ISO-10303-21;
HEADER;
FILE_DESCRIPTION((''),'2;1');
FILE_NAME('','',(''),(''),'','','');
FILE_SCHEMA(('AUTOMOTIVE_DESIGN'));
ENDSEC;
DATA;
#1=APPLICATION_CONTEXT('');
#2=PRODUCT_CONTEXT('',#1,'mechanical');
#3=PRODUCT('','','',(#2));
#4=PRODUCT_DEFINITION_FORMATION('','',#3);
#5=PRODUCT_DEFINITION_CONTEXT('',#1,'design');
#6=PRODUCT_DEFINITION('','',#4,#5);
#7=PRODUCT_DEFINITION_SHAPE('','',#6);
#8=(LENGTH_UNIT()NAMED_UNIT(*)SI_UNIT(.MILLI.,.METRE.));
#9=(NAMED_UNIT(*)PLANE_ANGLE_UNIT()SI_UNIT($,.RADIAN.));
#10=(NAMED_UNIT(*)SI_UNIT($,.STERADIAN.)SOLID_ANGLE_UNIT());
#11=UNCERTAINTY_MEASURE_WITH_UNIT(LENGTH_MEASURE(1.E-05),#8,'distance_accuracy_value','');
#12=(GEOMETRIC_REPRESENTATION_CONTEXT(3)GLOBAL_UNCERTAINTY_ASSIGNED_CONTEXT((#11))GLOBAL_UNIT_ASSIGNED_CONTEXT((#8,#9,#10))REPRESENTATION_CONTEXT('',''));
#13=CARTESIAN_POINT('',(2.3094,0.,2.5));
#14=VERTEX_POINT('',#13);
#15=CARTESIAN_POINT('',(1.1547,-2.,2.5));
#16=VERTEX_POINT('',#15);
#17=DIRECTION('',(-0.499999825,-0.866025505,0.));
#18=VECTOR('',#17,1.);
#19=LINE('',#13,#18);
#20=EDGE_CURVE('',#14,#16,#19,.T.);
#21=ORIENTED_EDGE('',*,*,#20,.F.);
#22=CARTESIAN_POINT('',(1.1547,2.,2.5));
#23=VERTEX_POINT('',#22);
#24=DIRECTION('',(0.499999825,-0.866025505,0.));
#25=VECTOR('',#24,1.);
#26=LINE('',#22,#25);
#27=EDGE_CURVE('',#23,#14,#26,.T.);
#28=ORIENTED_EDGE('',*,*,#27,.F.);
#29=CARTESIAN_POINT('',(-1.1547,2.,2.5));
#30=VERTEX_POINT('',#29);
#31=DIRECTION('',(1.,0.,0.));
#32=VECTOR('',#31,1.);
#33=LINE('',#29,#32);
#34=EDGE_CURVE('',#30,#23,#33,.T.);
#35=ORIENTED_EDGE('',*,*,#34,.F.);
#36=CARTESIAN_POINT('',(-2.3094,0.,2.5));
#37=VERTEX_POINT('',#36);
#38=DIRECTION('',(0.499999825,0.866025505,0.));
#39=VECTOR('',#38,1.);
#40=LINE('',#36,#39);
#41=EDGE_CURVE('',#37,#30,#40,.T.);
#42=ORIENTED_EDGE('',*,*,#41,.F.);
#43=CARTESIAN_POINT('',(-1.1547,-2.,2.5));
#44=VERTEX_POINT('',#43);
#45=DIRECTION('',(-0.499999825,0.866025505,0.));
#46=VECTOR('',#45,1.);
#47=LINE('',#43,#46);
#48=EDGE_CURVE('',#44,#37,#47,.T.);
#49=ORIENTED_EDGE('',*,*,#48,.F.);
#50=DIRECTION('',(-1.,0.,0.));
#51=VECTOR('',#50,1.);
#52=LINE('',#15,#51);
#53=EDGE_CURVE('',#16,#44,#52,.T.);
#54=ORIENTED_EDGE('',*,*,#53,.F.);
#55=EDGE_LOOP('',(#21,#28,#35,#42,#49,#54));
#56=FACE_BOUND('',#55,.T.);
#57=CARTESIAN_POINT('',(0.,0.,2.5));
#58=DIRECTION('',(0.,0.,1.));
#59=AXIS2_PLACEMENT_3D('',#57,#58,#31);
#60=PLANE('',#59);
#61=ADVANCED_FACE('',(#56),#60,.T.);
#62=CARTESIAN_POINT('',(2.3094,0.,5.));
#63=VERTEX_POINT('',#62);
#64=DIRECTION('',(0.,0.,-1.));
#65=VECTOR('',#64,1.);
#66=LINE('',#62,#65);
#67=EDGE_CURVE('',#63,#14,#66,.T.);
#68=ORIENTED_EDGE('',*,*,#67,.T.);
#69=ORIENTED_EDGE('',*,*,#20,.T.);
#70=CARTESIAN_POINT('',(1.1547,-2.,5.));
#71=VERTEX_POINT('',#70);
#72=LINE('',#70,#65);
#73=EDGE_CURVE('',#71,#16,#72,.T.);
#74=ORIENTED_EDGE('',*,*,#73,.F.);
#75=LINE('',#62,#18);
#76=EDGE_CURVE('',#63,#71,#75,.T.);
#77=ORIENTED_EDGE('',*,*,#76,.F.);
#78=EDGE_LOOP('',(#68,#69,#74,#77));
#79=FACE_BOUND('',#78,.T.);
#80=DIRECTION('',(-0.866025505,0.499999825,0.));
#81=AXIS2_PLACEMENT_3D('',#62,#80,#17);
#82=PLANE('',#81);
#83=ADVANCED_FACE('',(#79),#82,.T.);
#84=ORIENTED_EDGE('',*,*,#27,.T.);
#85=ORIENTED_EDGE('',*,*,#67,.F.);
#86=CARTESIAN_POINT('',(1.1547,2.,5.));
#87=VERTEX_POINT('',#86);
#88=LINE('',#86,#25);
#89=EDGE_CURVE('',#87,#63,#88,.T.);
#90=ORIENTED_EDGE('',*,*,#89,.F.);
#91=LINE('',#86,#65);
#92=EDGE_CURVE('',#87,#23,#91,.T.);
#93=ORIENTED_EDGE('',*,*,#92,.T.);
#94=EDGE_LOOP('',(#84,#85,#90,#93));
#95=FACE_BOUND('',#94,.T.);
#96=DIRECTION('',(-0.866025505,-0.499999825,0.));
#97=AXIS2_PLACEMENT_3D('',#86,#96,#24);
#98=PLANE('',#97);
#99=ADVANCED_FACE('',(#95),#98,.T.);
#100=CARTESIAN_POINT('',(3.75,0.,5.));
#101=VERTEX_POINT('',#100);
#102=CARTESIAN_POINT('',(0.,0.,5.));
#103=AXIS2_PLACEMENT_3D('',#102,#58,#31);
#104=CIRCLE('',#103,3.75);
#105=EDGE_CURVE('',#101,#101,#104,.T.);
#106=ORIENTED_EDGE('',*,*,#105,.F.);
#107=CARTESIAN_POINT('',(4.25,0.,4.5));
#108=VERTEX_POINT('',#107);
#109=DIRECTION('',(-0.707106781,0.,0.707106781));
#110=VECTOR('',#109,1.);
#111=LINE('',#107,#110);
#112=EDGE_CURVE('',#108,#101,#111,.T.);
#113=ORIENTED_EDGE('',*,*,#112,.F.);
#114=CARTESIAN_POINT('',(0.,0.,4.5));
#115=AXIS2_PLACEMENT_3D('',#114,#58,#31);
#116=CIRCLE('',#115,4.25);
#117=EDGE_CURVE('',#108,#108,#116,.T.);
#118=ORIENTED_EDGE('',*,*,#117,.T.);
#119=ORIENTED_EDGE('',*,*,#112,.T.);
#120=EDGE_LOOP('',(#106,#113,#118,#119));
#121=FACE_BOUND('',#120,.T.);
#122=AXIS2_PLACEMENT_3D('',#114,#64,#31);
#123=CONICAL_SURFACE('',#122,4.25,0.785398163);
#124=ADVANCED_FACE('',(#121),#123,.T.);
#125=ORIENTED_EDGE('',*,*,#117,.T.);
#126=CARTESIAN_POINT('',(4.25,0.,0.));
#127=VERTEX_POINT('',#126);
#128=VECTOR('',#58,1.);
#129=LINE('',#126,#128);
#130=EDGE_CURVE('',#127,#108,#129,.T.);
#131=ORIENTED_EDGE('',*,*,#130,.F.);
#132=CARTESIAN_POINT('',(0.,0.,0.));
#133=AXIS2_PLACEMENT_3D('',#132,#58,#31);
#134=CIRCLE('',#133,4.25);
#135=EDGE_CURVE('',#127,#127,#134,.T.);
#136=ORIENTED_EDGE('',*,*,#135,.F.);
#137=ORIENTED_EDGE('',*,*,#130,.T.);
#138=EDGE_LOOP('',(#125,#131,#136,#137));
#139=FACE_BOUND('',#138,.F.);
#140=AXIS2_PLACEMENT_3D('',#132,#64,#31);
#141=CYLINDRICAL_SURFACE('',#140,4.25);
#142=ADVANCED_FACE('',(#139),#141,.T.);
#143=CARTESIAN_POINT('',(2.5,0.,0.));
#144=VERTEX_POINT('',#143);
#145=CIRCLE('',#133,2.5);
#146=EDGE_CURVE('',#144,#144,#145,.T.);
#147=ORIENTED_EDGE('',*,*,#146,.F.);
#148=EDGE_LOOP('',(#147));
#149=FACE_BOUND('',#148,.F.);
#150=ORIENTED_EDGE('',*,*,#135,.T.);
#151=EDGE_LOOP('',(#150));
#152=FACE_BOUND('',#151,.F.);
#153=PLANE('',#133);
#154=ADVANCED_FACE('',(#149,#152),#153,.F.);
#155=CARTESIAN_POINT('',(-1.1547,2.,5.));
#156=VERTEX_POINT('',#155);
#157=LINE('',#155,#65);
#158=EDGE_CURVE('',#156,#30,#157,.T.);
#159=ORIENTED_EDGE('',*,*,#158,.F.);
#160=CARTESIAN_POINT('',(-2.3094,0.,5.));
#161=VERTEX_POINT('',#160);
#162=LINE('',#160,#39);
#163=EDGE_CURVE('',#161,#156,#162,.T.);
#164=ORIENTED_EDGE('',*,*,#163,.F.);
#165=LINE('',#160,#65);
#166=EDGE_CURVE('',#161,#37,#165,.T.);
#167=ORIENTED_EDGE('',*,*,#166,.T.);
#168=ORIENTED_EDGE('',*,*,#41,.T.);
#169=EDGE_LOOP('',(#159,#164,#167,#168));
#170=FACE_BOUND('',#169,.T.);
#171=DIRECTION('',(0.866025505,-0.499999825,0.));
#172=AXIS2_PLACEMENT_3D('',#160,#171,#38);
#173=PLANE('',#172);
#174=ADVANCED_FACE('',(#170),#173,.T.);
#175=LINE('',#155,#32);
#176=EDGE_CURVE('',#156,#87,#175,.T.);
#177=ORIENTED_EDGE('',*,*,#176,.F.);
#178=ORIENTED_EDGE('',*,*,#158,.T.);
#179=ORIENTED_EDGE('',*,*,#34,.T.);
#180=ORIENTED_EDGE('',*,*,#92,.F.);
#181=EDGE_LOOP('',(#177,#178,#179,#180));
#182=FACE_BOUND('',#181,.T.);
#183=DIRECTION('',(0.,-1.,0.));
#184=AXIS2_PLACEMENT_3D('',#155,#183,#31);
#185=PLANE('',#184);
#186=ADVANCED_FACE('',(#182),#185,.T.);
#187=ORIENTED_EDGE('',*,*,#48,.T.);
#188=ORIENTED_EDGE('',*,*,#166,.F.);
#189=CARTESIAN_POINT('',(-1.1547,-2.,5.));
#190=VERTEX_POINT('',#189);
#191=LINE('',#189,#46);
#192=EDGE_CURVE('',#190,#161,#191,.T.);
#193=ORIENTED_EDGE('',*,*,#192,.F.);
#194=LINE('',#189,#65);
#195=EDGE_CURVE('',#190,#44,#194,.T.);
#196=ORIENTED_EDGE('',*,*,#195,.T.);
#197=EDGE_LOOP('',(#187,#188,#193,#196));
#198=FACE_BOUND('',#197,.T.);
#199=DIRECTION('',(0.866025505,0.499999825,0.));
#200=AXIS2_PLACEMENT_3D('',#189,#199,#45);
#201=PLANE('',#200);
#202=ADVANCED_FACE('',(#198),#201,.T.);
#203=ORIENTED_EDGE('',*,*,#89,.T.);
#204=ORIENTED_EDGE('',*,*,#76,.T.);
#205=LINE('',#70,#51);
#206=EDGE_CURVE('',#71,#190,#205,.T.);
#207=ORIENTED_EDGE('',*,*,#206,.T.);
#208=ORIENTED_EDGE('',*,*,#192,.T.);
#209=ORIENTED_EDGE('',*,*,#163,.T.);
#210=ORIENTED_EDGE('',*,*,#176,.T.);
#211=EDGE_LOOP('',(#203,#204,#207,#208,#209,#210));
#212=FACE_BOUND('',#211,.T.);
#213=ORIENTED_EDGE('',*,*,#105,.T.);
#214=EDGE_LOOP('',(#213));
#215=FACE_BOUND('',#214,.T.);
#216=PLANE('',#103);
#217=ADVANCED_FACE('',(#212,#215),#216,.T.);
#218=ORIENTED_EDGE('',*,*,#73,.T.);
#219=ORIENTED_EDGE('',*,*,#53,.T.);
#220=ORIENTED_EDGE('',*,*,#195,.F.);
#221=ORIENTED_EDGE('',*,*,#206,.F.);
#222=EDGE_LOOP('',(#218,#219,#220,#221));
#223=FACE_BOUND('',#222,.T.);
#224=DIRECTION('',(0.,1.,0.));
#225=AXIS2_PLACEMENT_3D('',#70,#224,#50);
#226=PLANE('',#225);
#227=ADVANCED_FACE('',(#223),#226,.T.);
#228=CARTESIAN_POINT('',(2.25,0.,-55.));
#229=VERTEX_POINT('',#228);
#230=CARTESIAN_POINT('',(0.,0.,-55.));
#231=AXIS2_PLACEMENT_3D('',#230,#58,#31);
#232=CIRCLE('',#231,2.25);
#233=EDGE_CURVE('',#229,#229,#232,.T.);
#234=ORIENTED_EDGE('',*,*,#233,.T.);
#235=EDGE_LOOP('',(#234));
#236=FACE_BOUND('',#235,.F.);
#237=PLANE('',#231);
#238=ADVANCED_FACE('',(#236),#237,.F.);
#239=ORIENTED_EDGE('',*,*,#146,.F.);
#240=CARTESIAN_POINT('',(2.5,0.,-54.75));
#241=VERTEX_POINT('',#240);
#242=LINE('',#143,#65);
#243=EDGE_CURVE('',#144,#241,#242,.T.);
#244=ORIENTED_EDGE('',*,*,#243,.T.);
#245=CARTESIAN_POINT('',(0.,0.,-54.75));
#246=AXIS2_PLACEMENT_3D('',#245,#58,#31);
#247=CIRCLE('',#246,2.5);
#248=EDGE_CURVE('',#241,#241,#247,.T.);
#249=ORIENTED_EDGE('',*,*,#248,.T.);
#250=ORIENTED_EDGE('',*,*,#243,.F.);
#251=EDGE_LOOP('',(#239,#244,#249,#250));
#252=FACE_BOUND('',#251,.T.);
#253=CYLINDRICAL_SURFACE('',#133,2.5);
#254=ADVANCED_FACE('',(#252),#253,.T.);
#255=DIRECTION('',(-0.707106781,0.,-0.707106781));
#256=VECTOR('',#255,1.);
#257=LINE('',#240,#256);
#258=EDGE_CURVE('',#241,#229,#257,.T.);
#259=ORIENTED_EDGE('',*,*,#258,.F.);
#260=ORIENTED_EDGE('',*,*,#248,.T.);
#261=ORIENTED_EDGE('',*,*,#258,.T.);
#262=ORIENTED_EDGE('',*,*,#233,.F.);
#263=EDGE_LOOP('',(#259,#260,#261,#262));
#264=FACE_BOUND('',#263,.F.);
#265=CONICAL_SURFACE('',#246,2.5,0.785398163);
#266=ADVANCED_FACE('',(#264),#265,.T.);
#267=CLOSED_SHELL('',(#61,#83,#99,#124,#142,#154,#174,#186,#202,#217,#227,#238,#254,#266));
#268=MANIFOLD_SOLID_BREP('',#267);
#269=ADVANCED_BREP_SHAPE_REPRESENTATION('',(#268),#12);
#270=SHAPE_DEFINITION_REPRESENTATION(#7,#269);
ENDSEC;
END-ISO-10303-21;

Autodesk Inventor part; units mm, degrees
ref_plane "YZ Plane" through (0, 0, 0) normal (1, 0, 0) x (0, 1, 0)
ref_plane "XZ Plane" through (0, 0, 0) normal (0, 1, 0) x (-1, 0, 0)
ref_plane "XY Plane" through (0, 0, 0) normal (0, 0, 1) x (1, 0, 0)
sketch "Sketch3" plane through (0, 0, 0) normal (0, 0, 1) x (1, 0, 0)
  circle A0 centre (0, 0) radius 2.5
  dimension "Diameter" = 5
extrude "Extrusion1" add sketch "Sketch3" against normal blind 55
sketch "Sketch4" plane through (0, 0, 0) normal (0, 0, 1) x (1, 0, 0)
  circle A0 centre (0, 0) radius 2.5 projected
  circle A1 centre (0, 0) radius 4.25
  dimension "Head_Diameter" = 8.5
extrude "Extrusion2" add sketch "Sketch4" along normal blind 5 contours A0 | A1
sketch "Sketch5" plane through (0, 0, 5) normal (0, 0, 1) x (1, 0, 0)
  circle A0 centre (0, 0) radius 4.25 projected
  line L0 (2.3094, 0) -> (1.1547, -2)
  line L1 (1.1547, -2) -> (-1.1547, -2)
  line L2 (-1.1547, -2) -> (-2.3094, 0)
  line L3 (-2.3094, 0) -> (-1.1547, 2)
  line L4 (-1.1547, 2) -> (1.1547, 2)
  line L5 (1.1547, 2) -> (2.3094, 0)
  line L6 (0, 0) -> (2.3094, 0) construction
  dimension "Hex_Width" = 4
extrude "Extrusion3" cut sketch "Sketch5" against normal blind 2.5 contours L0 L1 L2 L3 L4 L5
thread "Thread1" size "M5x0.8" class "4g6g" standard "ANSI Metric M Profile" length 22
chamfer "Chamfer1" distance 0.5 angle 45 1 edges at (-4.25, 0, 5)
chamfer "Chamfer2" distance 0.25 angle 45 1 edges at (-2.5, 0, -55)
equation "\"d14\" = 0.5 * Chamfer"
equation "\"Chamfer\" = 0.5"
properties part number "fmpshma050080050" material "Steel, MS"
